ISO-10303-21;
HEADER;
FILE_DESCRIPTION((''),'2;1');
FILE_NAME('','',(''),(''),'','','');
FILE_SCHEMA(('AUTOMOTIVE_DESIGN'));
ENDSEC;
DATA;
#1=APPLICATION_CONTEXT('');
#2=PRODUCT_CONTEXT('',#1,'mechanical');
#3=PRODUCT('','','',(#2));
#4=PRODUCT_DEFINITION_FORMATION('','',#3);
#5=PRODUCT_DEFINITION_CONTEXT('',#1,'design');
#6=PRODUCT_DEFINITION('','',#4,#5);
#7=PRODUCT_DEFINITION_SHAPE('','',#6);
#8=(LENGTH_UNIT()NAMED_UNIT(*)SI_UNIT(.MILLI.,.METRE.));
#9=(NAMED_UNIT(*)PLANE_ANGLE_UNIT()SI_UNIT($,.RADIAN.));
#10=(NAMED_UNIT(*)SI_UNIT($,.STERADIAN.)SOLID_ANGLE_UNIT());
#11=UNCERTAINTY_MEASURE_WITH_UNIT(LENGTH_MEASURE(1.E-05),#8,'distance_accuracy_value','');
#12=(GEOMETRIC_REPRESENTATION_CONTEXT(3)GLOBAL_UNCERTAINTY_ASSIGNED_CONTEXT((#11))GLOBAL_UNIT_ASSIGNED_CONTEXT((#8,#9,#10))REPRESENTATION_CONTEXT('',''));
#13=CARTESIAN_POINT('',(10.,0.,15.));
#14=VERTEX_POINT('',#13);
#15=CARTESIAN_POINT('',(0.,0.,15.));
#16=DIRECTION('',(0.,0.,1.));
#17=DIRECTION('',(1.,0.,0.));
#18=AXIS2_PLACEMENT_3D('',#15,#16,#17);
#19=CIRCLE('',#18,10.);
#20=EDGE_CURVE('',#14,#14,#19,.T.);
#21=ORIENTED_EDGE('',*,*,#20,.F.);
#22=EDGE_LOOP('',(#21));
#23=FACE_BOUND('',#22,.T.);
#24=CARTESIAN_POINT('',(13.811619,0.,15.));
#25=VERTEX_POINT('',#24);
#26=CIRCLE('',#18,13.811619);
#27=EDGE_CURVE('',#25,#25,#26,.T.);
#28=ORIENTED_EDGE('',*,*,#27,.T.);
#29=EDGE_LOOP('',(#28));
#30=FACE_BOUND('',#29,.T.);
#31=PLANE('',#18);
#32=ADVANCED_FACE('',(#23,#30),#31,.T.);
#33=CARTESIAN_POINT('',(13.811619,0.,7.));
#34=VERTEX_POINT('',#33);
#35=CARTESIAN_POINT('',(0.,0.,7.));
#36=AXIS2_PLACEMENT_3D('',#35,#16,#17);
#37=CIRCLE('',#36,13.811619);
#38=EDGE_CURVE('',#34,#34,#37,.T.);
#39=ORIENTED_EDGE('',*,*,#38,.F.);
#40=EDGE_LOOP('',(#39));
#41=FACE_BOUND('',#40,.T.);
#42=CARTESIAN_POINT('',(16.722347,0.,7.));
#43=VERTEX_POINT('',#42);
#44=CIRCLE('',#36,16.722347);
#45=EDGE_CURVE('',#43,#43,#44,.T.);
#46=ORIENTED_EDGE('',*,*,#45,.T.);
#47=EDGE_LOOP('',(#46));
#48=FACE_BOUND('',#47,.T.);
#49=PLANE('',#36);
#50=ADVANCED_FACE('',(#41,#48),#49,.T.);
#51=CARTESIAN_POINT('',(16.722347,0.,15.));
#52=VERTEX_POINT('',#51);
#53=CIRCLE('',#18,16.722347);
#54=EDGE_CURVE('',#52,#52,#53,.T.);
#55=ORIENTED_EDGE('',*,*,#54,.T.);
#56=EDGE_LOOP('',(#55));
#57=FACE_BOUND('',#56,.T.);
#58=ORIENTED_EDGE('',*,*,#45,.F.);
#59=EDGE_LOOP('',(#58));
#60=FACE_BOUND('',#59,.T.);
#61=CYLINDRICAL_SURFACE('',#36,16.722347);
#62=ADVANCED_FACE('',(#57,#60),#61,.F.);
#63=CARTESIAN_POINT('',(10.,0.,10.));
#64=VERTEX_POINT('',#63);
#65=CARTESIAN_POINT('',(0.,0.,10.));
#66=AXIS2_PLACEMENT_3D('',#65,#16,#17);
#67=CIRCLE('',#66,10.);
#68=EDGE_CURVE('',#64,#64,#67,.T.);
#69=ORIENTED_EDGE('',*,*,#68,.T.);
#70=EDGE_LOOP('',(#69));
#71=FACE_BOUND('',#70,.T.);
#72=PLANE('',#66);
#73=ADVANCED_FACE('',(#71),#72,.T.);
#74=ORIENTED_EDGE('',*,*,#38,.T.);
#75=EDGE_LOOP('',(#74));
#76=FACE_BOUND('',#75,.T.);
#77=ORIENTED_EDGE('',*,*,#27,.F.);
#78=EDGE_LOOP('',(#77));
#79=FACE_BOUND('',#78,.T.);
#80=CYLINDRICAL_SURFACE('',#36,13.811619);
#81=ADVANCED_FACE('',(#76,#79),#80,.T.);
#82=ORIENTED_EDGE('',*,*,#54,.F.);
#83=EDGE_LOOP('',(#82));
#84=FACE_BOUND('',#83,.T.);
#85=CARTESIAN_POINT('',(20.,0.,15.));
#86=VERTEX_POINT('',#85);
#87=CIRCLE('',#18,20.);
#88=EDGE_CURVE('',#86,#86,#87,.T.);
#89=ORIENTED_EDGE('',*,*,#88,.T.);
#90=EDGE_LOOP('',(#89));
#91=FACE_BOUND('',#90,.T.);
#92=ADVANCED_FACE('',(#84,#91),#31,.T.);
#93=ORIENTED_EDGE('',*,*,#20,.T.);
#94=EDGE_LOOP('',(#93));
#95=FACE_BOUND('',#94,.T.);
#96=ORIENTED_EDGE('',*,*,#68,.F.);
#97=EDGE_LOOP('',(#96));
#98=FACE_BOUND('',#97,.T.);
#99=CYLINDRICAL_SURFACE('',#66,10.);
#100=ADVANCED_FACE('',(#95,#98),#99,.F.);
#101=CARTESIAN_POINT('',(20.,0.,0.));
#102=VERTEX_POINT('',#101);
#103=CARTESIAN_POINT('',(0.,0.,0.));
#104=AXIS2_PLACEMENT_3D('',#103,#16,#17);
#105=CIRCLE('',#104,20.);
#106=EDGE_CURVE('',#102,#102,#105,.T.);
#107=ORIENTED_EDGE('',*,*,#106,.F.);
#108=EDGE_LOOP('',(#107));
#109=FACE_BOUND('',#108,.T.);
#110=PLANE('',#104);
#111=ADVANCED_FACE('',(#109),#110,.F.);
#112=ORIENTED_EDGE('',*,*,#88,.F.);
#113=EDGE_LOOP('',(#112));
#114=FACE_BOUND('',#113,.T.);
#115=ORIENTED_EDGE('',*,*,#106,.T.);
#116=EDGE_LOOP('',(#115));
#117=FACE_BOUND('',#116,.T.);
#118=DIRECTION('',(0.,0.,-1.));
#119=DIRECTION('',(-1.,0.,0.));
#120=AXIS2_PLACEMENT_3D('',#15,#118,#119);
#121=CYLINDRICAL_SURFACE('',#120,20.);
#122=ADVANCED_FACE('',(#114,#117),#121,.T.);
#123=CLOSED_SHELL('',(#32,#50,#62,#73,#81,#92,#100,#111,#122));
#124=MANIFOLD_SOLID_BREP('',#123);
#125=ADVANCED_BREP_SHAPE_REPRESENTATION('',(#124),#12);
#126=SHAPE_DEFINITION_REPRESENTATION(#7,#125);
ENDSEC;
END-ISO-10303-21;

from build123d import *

# Parameters (mm, degrees)
SKETCH1_R           = 20
BOSS_EXTRUDE1_DEPTH = 15
SKETCH2_R           = 10
CUT_EXTRUDE1_DEPTH  = 5
SKETCH3_R           = 16.72234691
SKETCH3_R_2         = 13.811619035
CUT_EXTRUDE2_DEPTH  = 8


with BuildPart() as part:
    # Sketch1 → Boss-Extrude1 (new body)
    with BuildSketch(Plane.XY):
        Circle(SKETCH1_R)
    extrude(amount=BOSS_EXTRUDE1_DEPTH)

    # Sketch2 → Cut-Extrude1 (cut)
    with BuildSketch(Plane.XY.offset(15)):
        Circle(SKETCH2_R)
    extrude(amount=-CUT_EXTRUDE1_DEPTH, mode=Mode.SUBTRACT)

    # Sketch3 → Cut-Extrude2 (cut)
    with BuildSketch(Plane.XY.offset(15)):
        Circle(SKETCH3_R)
        Circle(SKETCH3_R_2, mode=Mode.SUBTRACT)
    extrude(amount=-CUT_EXTRUDE2_DEPTH, mode=Mode.SUBTRACT)


solid = part.part
